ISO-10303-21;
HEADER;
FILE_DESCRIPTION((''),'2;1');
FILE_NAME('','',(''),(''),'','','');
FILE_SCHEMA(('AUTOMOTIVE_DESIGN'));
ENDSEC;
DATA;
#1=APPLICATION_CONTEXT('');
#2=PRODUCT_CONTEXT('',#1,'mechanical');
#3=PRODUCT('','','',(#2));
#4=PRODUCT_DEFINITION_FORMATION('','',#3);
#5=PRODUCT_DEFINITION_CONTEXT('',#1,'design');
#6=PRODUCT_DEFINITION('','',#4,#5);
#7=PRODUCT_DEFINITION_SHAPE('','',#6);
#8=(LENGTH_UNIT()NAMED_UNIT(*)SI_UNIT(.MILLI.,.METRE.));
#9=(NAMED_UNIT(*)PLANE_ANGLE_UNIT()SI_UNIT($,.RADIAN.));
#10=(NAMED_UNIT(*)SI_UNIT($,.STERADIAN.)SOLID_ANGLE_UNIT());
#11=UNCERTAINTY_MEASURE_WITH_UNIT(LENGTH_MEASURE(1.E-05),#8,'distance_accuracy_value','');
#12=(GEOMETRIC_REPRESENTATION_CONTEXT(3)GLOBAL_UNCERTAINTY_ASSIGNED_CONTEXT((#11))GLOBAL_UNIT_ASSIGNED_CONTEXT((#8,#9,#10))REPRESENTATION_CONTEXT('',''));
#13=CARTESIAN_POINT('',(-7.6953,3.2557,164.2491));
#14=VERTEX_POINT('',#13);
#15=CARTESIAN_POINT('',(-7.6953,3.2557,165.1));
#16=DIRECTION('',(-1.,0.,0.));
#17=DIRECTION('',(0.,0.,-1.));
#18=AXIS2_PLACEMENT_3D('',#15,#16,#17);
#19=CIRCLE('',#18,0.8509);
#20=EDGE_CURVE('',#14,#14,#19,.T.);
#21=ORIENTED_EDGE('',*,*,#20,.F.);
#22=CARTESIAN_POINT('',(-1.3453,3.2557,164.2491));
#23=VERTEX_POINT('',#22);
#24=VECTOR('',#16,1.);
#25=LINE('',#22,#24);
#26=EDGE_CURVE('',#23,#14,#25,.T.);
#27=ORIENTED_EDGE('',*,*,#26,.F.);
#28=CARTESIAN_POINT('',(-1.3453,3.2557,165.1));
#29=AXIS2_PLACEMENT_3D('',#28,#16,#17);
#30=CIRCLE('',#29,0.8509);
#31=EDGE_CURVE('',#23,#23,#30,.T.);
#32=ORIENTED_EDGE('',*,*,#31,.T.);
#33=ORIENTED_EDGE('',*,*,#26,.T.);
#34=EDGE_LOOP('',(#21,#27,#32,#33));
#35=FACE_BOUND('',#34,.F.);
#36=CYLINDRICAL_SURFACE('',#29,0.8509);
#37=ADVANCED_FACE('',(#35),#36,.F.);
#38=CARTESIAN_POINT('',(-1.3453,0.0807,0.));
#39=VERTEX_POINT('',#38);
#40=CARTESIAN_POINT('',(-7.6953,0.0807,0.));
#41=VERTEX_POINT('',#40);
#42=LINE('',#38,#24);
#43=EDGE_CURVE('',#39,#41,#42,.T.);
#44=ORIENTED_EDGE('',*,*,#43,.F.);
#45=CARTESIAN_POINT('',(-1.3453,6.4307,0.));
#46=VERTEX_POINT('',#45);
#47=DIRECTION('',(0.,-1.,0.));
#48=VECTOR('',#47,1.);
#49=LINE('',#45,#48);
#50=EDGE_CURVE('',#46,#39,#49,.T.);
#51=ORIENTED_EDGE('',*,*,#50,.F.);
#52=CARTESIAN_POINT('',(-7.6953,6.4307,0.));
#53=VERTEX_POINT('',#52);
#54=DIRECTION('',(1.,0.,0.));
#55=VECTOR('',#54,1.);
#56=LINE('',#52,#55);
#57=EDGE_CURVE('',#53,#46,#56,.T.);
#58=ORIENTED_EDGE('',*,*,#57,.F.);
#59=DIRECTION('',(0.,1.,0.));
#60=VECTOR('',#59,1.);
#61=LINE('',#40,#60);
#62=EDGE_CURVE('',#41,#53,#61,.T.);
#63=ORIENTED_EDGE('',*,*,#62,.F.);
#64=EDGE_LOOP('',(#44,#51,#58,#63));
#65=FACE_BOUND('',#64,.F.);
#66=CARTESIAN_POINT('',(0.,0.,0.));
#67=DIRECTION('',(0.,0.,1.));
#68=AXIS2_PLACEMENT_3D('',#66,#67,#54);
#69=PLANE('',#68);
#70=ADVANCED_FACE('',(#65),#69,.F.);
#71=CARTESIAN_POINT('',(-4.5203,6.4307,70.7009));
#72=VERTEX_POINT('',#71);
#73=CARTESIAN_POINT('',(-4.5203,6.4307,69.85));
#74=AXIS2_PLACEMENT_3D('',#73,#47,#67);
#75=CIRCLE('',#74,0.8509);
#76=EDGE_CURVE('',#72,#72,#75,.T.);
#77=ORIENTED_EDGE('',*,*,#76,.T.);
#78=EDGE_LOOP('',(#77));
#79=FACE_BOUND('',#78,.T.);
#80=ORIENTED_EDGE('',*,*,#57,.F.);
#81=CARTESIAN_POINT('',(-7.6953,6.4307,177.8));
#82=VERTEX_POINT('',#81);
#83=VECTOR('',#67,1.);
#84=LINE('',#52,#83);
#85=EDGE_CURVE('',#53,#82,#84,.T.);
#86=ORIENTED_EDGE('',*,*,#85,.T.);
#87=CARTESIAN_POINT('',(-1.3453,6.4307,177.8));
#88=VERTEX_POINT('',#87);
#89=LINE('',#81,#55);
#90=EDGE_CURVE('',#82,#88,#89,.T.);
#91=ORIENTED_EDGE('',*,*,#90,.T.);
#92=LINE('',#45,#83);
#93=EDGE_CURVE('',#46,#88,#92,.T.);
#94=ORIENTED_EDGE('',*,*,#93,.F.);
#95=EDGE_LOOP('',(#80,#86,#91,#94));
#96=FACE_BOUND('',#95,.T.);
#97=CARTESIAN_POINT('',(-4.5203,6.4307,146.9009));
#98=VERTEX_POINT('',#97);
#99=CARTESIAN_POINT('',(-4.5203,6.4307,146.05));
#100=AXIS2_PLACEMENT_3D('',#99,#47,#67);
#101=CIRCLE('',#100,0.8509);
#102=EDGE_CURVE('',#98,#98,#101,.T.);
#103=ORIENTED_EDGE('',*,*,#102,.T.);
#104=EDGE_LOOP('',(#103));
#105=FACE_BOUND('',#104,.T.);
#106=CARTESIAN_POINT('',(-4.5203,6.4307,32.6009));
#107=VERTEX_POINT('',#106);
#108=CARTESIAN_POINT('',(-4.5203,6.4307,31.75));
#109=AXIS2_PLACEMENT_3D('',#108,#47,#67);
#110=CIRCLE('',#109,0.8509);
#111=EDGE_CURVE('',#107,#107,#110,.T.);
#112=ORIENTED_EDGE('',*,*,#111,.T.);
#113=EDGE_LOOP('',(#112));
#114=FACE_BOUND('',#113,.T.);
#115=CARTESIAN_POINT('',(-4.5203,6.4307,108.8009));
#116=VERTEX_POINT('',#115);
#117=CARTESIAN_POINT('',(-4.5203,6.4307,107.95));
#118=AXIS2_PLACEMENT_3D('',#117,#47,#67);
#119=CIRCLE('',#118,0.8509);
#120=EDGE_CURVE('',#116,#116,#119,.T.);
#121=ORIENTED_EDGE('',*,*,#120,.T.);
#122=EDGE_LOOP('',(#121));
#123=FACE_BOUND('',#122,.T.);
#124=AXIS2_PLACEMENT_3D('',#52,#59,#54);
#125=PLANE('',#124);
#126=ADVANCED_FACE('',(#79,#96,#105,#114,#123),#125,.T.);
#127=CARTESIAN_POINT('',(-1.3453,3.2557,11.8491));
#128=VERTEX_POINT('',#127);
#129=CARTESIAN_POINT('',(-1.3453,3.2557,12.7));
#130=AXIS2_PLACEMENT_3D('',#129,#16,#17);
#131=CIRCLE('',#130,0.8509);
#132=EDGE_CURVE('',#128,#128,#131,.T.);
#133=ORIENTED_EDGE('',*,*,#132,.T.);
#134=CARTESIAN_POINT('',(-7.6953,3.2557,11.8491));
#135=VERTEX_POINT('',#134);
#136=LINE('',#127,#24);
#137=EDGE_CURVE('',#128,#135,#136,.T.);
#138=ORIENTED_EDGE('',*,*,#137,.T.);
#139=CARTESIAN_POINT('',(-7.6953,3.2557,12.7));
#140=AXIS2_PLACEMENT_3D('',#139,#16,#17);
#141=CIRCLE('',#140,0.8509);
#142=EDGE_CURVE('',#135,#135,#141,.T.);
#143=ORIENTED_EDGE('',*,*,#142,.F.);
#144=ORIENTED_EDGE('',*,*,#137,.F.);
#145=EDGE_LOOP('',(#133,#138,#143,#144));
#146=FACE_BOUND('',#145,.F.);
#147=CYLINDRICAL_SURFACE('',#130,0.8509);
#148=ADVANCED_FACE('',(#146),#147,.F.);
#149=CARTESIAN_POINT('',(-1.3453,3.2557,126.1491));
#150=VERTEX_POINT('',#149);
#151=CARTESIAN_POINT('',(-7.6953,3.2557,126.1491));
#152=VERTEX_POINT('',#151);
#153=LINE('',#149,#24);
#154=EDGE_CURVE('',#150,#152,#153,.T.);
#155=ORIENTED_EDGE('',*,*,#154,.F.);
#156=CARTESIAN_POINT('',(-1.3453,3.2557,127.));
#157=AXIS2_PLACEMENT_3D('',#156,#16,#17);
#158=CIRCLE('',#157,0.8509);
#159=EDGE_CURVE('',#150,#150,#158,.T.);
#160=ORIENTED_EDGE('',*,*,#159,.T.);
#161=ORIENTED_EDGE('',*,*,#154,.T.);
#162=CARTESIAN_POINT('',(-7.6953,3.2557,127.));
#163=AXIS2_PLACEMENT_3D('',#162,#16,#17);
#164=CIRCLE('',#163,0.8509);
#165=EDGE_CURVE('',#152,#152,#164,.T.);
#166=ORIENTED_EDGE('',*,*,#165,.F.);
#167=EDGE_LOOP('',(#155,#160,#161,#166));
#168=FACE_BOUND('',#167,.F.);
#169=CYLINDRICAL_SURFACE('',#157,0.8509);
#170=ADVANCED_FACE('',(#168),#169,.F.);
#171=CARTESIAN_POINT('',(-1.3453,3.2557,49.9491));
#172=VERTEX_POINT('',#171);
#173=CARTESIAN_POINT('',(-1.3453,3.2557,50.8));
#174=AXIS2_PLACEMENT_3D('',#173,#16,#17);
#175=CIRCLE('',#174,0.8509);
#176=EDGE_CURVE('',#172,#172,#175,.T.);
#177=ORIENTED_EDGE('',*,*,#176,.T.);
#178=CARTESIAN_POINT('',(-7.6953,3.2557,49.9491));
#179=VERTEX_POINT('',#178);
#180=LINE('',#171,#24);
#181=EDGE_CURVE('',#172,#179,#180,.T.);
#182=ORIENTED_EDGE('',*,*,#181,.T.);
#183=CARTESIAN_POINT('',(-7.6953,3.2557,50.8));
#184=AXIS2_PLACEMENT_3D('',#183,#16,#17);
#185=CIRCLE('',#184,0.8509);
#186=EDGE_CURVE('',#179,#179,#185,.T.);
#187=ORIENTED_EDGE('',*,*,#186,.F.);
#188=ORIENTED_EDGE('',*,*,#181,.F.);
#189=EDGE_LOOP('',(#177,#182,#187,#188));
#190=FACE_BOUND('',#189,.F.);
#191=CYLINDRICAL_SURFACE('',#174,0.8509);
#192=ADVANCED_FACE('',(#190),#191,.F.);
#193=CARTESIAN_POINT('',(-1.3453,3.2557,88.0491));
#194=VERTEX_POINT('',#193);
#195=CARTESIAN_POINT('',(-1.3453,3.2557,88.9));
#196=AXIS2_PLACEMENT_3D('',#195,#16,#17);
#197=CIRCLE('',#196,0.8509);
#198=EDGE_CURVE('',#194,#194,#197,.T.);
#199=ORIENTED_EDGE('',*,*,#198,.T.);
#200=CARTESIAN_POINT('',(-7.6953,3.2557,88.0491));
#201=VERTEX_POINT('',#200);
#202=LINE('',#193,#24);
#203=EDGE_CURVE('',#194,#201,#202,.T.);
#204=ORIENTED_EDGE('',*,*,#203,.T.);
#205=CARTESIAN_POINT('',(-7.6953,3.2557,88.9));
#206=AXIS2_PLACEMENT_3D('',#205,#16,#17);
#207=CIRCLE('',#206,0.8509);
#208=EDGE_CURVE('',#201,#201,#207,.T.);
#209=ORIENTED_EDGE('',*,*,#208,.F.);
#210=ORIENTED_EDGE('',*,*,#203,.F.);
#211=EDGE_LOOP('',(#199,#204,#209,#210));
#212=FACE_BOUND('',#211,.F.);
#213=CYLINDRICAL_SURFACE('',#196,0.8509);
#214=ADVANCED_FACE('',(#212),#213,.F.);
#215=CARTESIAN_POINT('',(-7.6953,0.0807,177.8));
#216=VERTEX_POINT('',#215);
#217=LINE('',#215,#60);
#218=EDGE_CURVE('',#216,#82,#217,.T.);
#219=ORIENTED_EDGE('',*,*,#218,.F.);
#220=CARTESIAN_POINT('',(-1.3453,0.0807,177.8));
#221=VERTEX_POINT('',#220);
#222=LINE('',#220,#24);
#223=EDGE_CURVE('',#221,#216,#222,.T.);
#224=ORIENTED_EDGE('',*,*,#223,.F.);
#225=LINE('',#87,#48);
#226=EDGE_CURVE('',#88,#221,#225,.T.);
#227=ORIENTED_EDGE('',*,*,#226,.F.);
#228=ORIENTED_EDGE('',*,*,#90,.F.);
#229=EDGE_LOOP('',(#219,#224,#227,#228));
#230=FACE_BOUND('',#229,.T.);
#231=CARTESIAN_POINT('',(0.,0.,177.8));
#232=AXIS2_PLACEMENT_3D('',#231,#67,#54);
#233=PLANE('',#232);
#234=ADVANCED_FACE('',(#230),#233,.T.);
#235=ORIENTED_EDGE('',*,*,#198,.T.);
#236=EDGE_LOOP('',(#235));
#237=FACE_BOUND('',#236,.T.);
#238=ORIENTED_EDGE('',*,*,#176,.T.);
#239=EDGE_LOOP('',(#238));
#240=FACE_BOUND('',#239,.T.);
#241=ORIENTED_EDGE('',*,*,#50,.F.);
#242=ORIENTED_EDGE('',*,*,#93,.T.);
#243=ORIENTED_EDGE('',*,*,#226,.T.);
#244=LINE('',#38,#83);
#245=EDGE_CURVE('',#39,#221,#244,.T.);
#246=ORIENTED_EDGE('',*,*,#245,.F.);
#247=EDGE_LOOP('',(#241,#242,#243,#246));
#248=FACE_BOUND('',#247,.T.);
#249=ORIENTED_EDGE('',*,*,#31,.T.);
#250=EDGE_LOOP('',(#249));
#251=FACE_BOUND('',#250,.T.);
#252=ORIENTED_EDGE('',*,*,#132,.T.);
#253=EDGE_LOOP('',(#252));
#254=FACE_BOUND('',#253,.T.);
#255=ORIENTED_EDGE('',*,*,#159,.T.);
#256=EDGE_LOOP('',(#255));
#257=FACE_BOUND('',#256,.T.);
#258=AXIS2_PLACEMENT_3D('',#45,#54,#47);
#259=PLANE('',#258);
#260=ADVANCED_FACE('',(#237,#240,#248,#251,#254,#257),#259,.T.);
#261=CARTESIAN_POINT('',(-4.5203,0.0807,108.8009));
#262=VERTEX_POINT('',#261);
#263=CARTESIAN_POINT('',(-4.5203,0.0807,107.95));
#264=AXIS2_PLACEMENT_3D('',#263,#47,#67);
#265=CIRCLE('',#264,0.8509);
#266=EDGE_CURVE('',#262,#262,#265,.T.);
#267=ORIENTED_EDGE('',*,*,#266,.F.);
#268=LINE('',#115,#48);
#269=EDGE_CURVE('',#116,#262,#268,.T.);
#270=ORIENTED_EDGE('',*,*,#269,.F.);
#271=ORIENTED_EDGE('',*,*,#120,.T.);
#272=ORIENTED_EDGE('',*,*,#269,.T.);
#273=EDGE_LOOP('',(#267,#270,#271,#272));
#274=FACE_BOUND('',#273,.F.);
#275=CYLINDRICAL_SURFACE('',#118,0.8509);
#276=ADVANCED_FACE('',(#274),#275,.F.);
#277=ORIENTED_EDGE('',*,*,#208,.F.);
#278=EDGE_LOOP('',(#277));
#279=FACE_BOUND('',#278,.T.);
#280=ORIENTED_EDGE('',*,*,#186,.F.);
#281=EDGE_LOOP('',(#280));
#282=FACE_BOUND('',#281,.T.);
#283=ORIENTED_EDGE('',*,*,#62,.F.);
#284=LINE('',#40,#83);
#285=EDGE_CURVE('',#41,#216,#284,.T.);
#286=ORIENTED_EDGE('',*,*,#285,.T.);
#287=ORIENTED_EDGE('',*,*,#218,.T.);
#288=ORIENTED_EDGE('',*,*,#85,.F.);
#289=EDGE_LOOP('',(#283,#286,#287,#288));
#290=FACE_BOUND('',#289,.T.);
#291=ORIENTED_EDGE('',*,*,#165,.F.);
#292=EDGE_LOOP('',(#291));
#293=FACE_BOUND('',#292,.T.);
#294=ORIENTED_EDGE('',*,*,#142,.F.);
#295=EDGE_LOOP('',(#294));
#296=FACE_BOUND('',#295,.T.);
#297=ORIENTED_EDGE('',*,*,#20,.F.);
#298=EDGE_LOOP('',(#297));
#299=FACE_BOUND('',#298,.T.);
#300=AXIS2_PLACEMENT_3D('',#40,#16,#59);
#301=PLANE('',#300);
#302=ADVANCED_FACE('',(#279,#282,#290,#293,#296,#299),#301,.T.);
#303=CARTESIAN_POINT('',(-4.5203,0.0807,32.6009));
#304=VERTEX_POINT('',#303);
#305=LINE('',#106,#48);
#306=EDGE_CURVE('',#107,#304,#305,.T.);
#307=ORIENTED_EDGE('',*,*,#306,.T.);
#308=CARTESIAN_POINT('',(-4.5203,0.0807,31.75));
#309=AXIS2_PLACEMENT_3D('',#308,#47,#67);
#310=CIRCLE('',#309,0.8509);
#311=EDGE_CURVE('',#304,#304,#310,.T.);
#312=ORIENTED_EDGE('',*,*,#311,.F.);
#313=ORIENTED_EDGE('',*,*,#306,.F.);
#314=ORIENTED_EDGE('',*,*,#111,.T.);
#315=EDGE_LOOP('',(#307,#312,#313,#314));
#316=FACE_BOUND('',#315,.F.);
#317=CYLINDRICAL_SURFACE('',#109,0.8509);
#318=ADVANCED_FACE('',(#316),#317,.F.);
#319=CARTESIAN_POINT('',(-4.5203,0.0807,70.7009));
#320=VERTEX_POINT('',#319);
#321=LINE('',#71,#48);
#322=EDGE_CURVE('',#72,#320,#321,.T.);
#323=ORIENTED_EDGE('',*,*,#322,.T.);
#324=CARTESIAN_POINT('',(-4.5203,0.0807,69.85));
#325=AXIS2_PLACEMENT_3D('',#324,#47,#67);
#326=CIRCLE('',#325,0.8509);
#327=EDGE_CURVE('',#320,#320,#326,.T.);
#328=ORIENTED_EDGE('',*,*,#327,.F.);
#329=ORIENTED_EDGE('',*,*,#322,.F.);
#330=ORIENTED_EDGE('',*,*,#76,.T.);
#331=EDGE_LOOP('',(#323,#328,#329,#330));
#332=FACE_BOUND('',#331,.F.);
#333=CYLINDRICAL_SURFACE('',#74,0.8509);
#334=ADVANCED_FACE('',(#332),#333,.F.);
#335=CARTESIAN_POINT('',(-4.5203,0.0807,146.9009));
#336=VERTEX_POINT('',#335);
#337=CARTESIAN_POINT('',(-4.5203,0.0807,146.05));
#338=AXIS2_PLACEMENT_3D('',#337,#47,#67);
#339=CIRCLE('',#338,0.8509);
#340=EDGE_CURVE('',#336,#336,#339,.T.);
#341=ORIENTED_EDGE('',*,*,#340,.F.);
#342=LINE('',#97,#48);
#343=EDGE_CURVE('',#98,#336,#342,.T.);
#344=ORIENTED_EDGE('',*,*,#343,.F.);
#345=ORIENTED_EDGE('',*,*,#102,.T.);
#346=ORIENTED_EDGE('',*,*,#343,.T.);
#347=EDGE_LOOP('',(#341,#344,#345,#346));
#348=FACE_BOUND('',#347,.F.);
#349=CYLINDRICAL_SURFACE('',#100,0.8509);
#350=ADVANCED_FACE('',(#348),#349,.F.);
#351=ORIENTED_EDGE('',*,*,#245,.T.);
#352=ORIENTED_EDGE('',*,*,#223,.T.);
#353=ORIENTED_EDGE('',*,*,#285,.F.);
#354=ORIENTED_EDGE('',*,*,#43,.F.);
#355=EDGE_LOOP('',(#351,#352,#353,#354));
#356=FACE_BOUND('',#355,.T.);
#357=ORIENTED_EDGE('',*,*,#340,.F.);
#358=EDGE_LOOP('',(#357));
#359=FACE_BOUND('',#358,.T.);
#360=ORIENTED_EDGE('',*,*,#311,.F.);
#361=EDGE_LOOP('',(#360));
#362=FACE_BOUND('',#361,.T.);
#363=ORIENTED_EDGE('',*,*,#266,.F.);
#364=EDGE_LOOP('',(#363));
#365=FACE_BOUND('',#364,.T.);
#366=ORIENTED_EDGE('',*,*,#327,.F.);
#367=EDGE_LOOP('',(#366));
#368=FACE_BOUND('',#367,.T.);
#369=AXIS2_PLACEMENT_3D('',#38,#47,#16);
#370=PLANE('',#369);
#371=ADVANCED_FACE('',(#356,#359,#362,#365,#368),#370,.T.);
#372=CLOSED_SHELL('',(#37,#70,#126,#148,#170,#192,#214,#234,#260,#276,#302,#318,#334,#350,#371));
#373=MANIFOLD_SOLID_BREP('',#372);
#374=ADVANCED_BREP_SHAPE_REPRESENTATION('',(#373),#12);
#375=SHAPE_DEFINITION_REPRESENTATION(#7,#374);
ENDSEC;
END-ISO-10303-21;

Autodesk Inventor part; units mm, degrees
ref_plane "YZ Plane" through (0, 0, 0) normal (1, 0, 0) x (0, 1, 0)
ref_plane "XZ Plane" through (0, 0, 0) normal (0, 1, 0) x (-1, 0, 0)
ref_plane "XY Plane" through (0, 0, 0) normal (0, 0, 1) x (1, 0, 0)
sketch "Sketch1" plane through (0, 0, 0) normal (0, 0, 1) x (1, 0, 0)
  line L0 (-7.6953, 6.4307) -> (-1.3453, 6.4307)
  line L1 (-1.3453, 6.4307) -> (-1.3453, 0.0807)
  line L2 (-1.3453, 0.0807) -> (-7.6953, 0.0807)
  line L3 (-7.6953, 0.0807) -> (-7.6953, 6.4307)
  point P0 (0, 0)
  dimension "d0" = 6.35
  dimension "d2" = 6.35
extrude "Extrusion1" add sketch "Sketch1" along normal blind 177.8
sketch "Sketch2" plane through (-1.3453, 0.0807, 0) normal (1, 0, 0) x (0, 0, -1)
  point P0 (-177.8, 6.35)
  point P1 (0, -0.0807)
  point P2 (-165.1, 3.175)
  dimension "d5" = 3.175
  dimension "d6" = 12.7
hole "Hole1" at (-1.3453, 3.2557, 165.1) direction (-1, 0, 0) diameter 1.7018 end through all
pattern_linear "Rectangular Pattern1" count 5 spacing 38.1 along (0, 0, -1) of "Hole1"
sketch "Sketch3" plane through (160.5797, 6.4307, 92.075) normal (0, 1, 0) x (1, 0, 0)
  point P0 (0, -0.0807)
  point P1 (-165.1, -53.975)
  point P2 (-161.925, -85.725)
  point P3 (-168.275, -85.725)
  dimension "d33" = 31.75
  dimension "d37" = 3.175
hole "Hole2" at (-4.5203, 6.4307, 146.05) direction (0, -1, 0) diameter 1.7018 end through all
pattern_linear "Rectangular Pattern2" count 4 spacing 38.1 along (0, 0, -1) of "Hole2"
properties part number "mounting rail 8.6x.250" material "Gold"
